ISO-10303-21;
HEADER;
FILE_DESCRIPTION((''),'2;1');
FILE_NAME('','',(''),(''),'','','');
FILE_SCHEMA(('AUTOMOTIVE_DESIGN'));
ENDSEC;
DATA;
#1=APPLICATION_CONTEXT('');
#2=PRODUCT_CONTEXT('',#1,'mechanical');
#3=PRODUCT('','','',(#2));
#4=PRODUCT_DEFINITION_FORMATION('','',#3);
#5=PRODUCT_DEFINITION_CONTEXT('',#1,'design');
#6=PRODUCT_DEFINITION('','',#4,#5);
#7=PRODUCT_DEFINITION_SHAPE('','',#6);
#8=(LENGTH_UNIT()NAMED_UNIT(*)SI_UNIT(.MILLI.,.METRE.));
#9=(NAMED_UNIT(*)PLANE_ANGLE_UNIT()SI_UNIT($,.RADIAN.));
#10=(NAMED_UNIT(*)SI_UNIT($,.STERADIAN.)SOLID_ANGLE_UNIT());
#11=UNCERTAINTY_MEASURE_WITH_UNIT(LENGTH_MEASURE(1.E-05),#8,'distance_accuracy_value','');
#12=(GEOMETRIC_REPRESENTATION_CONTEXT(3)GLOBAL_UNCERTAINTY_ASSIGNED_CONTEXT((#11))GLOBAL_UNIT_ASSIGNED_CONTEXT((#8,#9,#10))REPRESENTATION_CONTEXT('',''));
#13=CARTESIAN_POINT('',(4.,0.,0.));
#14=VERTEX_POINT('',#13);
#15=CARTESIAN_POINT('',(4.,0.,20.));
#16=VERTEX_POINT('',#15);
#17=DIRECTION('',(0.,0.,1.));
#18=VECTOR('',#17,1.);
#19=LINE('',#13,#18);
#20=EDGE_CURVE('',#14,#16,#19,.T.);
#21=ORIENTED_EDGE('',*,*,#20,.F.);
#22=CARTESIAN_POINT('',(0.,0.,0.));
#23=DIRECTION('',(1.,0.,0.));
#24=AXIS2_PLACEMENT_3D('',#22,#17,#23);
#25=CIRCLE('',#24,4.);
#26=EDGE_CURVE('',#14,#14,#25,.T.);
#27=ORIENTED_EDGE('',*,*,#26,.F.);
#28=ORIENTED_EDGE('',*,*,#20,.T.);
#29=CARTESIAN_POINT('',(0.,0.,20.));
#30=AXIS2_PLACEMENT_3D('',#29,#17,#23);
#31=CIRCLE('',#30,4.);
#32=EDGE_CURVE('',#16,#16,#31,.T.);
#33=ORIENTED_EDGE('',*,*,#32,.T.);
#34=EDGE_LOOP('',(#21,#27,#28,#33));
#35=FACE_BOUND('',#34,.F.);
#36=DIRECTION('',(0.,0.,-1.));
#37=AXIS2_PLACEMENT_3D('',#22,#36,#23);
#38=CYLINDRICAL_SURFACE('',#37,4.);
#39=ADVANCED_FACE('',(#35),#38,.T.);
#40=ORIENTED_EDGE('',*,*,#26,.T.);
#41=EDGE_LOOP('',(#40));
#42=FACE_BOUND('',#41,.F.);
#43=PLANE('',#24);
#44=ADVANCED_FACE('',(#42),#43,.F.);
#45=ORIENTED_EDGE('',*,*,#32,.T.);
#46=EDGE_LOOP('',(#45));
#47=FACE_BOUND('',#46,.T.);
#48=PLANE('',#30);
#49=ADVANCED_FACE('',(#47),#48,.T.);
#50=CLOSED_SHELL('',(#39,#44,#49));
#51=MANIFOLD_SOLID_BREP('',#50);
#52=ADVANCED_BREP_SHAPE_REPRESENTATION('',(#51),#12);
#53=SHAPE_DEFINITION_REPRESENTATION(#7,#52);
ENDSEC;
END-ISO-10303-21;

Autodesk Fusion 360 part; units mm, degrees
sketch "Sketch1" plane through (0, 0, 0) normal (0, 0, 1) x (1, 0, 0)
  circle A0 centre (0, 0) radius 4
  dimension "d1" = 8
extrude "Extrude1" add sketch "Sketch1" along normal blind 20
